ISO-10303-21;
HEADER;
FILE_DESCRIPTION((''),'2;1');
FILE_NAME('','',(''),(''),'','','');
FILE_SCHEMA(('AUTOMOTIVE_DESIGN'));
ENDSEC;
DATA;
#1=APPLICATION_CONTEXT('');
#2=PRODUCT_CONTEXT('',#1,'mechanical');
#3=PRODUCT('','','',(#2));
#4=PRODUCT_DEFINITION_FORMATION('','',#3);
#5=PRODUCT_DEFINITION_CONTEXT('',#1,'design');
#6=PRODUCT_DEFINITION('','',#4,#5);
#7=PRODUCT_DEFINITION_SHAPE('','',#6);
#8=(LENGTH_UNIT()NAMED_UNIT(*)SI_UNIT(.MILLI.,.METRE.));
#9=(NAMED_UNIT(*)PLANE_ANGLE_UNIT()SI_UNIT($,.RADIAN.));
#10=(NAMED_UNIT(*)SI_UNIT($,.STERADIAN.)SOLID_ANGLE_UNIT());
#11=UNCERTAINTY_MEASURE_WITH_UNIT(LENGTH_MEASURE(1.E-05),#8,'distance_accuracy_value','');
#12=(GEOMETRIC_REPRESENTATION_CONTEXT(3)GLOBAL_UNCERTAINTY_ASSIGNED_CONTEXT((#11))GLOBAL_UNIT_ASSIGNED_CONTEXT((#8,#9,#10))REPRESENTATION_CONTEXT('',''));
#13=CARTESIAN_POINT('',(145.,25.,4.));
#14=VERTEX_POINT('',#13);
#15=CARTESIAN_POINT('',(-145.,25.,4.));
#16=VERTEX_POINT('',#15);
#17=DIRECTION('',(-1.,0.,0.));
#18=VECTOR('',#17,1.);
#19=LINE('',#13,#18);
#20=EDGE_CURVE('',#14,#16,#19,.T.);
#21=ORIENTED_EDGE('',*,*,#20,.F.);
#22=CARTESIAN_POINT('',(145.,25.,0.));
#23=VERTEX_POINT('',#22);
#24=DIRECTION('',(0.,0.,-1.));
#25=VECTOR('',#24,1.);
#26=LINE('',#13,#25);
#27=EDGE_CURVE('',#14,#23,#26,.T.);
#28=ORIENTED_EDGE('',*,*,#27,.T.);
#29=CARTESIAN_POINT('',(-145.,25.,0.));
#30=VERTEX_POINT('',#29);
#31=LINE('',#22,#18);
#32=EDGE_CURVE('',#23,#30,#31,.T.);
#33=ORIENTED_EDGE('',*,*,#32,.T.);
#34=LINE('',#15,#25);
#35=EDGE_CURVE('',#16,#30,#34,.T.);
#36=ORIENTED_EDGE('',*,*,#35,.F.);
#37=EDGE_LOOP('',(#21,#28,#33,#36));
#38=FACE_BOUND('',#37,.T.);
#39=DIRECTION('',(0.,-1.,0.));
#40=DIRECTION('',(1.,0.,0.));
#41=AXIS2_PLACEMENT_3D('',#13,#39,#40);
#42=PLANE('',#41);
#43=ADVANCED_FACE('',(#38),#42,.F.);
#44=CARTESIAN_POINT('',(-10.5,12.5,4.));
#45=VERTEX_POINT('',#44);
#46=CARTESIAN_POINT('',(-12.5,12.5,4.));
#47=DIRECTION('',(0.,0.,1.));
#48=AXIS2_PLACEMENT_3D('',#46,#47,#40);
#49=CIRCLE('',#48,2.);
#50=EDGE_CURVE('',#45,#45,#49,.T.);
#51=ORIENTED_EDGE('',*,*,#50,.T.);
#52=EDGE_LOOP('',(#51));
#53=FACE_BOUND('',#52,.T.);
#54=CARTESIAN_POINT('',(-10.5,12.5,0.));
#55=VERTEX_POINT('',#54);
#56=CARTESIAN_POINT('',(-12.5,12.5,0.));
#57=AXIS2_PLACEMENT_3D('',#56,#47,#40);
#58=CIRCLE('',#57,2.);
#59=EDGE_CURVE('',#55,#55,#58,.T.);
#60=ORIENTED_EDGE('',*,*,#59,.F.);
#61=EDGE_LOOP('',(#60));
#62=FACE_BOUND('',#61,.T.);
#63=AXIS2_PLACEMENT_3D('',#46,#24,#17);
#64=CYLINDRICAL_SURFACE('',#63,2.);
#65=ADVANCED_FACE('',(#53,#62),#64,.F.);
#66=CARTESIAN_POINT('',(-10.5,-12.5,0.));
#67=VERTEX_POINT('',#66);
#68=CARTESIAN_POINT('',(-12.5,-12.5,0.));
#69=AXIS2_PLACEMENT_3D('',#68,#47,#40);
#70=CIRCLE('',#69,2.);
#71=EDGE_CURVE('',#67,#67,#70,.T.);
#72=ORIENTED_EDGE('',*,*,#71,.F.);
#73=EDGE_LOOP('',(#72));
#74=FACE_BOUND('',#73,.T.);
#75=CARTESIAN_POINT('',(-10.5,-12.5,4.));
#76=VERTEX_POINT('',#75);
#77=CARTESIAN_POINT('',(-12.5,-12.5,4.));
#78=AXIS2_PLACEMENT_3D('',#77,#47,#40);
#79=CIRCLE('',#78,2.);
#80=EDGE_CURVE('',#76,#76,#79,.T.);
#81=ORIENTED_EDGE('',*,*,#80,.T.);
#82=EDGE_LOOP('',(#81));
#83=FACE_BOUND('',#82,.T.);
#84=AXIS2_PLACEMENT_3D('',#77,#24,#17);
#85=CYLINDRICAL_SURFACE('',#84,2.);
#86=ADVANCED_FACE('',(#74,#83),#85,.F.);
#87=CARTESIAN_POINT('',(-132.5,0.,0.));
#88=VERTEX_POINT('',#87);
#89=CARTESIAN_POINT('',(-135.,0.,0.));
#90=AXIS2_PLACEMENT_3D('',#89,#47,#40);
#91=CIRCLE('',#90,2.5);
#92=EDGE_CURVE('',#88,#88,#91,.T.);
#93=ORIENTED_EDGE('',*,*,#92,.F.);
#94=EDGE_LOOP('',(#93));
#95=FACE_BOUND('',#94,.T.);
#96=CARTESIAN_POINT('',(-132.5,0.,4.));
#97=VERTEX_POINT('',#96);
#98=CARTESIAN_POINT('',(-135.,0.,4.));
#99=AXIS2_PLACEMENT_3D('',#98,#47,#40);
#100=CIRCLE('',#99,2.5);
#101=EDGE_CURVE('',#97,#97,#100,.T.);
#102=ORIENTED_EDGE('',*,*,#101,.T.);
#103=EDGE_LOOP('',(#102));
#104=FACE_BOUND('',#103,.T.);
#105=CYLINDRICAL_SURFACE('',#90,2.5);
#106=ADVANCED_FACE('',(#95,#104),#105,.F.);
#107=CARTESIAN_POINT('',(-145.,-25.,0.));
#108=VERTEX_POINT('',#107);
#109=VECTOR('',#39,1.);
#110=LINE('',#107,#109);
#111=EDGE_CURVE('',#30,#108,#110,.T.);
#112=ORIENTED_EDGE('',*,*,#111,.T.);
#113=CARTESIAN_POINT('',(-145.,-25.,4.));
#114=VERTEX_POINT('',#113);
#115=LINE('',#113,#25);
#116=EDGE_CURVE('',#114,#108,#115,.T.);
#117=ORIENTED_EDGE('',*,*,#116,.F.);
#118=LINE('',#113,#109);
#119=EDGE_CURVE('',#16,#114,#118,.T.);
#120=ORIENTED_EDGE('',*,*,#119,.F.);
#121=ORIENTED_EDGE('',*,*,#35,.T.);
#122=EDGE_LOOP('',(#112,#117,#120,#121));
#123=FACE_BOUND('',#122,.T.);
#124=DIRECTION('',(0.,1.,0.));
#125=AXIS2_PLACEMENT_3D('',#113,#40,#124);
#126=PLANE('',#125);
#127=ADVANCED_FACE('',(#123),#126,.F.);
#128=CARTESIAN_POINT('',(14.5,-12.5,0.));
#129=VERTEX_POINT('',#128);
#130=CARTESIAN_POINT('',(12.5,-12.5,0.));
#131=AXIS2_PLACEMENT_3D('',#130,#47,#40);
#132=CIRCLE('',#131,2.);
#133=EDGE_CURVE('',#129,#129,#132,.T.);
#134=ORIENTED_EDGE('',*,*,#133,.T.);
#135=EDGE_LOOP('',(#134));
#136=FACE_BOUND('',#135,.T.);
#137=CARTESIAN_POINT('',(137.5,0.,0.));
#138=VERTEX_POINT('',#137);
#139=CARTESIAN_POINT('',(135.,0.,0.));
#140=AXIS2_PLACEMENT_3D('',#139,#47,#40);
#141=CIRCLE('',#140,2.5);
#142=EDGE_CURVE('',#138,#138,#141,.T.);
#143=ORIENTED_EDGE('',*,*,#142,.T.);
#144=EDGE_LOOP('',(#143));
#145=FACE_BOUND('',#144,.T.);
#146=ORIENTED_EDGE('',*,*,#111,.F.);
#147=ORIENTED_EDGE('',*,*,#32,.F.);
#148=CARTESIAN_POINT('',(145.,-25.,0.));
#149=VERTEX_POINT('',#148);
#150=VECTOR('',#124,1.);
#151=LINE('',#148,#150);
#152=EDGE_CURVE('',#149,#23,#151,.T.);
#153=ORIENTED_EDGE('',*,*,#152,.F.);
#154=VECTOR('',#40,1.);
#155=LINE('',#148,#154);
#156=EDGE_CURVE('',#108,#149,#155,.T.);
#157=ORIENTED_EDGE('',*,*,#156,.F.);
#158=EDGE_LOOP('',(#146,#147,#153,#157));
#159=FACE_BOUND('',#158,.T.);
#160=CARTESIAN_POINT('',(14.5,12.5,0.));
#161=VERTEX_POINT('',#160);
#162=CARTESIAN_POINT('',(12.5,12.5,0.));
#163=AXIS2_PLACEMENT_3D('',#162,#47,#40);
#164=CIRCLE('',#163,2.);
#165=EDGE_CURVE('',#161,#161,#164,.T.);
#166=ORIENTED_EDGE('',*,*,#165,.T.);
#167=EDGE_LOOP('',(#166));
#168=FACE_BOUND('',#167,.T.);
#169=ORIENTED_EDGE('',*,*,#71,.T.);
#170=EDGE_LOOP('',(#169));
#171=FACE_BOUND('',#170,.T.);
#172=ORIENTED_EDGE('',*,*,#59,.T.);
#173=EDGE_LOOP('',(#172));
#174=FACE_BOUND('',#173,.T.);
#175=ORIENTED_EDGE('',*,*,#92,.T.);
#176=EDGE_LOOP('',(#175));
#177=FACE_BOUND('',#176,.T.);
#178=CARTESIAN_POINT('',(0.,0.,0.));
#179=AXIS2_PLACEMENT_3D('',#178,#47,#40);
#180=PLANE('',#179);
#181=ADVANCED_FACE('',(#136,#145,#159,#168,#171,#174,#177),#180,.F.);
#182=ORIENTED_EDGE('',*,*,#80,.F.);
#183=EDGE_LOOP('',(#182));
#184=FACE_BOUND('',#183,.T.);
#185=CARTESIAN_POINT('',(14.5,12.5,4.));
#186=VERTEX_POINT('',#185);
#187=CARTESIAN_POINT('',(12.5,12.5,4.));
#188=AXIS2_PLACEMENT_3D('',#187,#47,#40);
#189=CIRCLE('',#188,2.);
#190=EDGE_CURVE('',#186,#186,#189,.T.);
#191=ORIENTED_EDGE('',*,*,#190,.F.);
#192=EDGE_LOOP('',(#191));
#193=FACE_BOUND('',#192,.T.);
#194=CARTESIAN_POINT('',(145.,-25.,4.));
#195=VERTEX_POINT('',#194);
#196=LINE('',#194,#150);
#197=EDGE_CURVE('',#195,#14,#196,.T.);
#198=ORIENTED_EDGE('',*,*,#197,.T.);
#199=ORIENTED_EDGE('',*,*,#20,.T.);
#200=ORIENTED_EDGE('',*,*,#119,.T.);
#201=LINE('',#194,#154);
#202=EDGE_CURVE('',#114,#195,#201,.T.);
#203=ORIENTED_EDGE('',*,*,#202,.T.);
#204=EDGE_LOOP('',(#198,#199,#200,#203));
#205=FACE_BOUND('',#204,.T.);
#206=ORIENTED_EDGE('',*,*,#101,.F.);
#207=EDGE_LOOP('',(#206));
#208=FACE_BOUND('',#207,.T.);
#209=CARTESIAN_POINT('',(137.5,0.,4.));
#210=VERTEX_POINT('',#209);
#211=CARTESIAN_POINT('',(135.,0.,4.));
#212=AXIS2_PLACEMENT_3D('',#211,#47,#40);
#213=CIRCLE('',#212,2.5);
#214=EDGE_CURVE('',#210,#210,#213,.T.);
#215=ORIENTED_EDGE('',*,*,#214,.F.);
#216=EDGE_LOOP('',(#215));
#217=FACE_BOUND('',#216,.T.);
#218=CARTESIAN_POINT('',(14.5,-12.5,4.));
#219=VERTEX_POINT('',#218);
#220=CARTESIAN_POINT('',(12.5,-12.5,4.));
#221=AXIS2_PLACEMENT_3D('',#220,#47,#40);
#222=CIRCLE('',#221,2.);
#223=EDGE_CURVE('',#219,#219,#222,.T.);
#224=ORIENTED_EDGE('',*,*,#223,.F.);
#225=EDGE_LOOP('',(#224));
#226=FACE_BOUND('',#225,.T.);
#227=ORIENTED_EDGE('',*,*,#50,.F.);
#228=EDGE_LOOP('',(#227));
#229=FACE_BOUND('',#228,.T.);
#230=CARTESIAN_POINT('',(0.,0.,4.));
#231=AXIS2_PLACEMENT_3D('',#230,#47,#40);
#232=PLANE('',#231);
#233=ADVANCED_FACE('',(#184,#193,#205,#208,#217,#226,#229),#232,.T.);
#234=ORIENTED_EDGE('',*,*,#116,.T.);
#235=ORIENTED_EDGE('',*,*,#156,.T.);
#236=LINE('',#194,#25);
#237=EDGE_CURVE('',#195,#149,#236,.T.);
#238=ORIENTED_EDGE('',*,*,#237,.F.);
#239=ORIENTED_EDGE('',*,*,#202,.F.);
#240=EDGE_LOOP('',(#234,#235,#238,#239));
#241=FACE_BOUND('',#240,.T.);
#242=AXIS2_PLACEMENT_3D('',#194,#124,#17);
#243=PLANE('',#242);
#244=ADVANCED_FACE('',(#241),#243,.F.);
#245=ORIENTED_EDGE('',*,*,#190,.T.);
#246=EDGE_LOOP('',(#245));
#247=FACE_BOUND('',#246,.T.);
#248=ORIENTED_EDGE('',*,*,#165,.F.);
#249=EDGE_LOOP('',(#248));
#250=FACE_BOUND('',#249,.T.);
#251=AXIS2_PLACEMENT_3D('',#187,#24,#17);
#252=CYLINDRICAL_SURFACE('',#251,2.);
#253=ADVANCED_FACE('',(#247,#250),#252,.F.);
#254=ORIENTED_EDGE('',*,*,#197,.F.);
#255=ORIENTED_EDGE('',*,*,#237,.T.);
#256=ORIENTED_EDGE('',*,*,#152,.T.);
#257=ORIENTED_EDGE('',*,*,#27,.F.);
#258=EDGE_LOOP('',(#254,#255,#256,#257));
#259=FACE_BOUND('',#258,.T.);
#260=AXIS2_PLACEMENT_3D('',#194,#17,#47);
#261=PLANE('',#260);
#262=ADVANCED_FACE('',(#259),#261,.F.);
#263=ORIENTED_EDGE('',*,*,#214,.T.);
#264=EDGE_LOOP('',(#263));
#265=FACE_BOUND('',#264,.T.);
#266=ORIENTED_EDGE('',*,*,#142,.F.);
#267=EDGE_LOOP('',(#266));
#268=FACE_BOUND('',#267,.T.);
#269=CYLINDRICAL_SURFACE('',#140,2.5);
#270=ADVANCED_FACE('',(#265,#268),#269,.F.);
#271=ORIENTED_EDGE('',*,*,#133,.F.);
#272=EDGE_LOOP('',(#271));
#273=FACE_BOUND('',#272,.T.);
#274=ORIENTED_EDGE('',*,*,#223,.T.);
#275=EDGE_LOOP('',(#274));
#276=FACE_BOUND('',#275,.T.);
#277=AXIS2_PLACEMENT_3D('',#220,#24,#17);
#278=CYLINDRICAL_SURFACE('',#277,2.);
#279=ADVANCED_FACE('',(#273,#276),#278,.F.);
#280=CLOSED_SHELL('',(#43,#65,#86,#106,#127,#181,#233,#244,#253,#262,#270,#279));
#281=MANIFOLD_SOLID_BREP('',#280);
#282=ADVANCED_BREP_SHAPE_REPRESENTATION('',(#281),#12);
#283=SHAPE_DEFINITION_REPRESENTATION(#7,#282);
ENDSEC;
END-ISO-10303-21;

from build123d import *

# Parameters (mm, degrees)
SKETCH1_W           = 290
SKETCH1_H           = 50
SKETCH1_R           = 2
BOSS_EXTRUDE1_DEPTH = 4
SKETCH2_R           = 2.5
CUT_EXTRUDE1_DEPTH  = 4


with BuildPart() as part:
    # Sketch1 → Boss-Extrude1 (new body)
    with BuildSketch(Plane.XY):
        Rectangle(SKETCH1_W, SKETCH1_H)
        with Locations((-12.5, 12.5)):
            Circle(SKETCH1_R, mode=Mode.SUBTRACT)
        with Locations((12.5, 12.5)):
            Circle(SKETCH1_R, mode=Mode.SUBTRACT)
        with Locations((12.5, -12.5)):
            Circle(SKETCH1_R, mode=Mode.SUBTRACT)
        with Locations((-12.5, -12.5)):
            Circle(SKETCH1_R, mode=Mode.SUBTRACT)
    extrude(amount=BOSS_EXTRUDE1_DEPTH)

    # Sketch2 → Cut-Extrude1 (cut)
    with BuildSketch(Plane.XY.offset(4)):
        with Locations((-135, 0)):
            Circle(SKETCH2_R)
        with Locations((135, 0)):
            Circle(SKETCH2_R)
    extrude(amount=-CUT_EXTRUDE1_DEPTH, mode=Mode.SUBTRACT)


solid = part.part
